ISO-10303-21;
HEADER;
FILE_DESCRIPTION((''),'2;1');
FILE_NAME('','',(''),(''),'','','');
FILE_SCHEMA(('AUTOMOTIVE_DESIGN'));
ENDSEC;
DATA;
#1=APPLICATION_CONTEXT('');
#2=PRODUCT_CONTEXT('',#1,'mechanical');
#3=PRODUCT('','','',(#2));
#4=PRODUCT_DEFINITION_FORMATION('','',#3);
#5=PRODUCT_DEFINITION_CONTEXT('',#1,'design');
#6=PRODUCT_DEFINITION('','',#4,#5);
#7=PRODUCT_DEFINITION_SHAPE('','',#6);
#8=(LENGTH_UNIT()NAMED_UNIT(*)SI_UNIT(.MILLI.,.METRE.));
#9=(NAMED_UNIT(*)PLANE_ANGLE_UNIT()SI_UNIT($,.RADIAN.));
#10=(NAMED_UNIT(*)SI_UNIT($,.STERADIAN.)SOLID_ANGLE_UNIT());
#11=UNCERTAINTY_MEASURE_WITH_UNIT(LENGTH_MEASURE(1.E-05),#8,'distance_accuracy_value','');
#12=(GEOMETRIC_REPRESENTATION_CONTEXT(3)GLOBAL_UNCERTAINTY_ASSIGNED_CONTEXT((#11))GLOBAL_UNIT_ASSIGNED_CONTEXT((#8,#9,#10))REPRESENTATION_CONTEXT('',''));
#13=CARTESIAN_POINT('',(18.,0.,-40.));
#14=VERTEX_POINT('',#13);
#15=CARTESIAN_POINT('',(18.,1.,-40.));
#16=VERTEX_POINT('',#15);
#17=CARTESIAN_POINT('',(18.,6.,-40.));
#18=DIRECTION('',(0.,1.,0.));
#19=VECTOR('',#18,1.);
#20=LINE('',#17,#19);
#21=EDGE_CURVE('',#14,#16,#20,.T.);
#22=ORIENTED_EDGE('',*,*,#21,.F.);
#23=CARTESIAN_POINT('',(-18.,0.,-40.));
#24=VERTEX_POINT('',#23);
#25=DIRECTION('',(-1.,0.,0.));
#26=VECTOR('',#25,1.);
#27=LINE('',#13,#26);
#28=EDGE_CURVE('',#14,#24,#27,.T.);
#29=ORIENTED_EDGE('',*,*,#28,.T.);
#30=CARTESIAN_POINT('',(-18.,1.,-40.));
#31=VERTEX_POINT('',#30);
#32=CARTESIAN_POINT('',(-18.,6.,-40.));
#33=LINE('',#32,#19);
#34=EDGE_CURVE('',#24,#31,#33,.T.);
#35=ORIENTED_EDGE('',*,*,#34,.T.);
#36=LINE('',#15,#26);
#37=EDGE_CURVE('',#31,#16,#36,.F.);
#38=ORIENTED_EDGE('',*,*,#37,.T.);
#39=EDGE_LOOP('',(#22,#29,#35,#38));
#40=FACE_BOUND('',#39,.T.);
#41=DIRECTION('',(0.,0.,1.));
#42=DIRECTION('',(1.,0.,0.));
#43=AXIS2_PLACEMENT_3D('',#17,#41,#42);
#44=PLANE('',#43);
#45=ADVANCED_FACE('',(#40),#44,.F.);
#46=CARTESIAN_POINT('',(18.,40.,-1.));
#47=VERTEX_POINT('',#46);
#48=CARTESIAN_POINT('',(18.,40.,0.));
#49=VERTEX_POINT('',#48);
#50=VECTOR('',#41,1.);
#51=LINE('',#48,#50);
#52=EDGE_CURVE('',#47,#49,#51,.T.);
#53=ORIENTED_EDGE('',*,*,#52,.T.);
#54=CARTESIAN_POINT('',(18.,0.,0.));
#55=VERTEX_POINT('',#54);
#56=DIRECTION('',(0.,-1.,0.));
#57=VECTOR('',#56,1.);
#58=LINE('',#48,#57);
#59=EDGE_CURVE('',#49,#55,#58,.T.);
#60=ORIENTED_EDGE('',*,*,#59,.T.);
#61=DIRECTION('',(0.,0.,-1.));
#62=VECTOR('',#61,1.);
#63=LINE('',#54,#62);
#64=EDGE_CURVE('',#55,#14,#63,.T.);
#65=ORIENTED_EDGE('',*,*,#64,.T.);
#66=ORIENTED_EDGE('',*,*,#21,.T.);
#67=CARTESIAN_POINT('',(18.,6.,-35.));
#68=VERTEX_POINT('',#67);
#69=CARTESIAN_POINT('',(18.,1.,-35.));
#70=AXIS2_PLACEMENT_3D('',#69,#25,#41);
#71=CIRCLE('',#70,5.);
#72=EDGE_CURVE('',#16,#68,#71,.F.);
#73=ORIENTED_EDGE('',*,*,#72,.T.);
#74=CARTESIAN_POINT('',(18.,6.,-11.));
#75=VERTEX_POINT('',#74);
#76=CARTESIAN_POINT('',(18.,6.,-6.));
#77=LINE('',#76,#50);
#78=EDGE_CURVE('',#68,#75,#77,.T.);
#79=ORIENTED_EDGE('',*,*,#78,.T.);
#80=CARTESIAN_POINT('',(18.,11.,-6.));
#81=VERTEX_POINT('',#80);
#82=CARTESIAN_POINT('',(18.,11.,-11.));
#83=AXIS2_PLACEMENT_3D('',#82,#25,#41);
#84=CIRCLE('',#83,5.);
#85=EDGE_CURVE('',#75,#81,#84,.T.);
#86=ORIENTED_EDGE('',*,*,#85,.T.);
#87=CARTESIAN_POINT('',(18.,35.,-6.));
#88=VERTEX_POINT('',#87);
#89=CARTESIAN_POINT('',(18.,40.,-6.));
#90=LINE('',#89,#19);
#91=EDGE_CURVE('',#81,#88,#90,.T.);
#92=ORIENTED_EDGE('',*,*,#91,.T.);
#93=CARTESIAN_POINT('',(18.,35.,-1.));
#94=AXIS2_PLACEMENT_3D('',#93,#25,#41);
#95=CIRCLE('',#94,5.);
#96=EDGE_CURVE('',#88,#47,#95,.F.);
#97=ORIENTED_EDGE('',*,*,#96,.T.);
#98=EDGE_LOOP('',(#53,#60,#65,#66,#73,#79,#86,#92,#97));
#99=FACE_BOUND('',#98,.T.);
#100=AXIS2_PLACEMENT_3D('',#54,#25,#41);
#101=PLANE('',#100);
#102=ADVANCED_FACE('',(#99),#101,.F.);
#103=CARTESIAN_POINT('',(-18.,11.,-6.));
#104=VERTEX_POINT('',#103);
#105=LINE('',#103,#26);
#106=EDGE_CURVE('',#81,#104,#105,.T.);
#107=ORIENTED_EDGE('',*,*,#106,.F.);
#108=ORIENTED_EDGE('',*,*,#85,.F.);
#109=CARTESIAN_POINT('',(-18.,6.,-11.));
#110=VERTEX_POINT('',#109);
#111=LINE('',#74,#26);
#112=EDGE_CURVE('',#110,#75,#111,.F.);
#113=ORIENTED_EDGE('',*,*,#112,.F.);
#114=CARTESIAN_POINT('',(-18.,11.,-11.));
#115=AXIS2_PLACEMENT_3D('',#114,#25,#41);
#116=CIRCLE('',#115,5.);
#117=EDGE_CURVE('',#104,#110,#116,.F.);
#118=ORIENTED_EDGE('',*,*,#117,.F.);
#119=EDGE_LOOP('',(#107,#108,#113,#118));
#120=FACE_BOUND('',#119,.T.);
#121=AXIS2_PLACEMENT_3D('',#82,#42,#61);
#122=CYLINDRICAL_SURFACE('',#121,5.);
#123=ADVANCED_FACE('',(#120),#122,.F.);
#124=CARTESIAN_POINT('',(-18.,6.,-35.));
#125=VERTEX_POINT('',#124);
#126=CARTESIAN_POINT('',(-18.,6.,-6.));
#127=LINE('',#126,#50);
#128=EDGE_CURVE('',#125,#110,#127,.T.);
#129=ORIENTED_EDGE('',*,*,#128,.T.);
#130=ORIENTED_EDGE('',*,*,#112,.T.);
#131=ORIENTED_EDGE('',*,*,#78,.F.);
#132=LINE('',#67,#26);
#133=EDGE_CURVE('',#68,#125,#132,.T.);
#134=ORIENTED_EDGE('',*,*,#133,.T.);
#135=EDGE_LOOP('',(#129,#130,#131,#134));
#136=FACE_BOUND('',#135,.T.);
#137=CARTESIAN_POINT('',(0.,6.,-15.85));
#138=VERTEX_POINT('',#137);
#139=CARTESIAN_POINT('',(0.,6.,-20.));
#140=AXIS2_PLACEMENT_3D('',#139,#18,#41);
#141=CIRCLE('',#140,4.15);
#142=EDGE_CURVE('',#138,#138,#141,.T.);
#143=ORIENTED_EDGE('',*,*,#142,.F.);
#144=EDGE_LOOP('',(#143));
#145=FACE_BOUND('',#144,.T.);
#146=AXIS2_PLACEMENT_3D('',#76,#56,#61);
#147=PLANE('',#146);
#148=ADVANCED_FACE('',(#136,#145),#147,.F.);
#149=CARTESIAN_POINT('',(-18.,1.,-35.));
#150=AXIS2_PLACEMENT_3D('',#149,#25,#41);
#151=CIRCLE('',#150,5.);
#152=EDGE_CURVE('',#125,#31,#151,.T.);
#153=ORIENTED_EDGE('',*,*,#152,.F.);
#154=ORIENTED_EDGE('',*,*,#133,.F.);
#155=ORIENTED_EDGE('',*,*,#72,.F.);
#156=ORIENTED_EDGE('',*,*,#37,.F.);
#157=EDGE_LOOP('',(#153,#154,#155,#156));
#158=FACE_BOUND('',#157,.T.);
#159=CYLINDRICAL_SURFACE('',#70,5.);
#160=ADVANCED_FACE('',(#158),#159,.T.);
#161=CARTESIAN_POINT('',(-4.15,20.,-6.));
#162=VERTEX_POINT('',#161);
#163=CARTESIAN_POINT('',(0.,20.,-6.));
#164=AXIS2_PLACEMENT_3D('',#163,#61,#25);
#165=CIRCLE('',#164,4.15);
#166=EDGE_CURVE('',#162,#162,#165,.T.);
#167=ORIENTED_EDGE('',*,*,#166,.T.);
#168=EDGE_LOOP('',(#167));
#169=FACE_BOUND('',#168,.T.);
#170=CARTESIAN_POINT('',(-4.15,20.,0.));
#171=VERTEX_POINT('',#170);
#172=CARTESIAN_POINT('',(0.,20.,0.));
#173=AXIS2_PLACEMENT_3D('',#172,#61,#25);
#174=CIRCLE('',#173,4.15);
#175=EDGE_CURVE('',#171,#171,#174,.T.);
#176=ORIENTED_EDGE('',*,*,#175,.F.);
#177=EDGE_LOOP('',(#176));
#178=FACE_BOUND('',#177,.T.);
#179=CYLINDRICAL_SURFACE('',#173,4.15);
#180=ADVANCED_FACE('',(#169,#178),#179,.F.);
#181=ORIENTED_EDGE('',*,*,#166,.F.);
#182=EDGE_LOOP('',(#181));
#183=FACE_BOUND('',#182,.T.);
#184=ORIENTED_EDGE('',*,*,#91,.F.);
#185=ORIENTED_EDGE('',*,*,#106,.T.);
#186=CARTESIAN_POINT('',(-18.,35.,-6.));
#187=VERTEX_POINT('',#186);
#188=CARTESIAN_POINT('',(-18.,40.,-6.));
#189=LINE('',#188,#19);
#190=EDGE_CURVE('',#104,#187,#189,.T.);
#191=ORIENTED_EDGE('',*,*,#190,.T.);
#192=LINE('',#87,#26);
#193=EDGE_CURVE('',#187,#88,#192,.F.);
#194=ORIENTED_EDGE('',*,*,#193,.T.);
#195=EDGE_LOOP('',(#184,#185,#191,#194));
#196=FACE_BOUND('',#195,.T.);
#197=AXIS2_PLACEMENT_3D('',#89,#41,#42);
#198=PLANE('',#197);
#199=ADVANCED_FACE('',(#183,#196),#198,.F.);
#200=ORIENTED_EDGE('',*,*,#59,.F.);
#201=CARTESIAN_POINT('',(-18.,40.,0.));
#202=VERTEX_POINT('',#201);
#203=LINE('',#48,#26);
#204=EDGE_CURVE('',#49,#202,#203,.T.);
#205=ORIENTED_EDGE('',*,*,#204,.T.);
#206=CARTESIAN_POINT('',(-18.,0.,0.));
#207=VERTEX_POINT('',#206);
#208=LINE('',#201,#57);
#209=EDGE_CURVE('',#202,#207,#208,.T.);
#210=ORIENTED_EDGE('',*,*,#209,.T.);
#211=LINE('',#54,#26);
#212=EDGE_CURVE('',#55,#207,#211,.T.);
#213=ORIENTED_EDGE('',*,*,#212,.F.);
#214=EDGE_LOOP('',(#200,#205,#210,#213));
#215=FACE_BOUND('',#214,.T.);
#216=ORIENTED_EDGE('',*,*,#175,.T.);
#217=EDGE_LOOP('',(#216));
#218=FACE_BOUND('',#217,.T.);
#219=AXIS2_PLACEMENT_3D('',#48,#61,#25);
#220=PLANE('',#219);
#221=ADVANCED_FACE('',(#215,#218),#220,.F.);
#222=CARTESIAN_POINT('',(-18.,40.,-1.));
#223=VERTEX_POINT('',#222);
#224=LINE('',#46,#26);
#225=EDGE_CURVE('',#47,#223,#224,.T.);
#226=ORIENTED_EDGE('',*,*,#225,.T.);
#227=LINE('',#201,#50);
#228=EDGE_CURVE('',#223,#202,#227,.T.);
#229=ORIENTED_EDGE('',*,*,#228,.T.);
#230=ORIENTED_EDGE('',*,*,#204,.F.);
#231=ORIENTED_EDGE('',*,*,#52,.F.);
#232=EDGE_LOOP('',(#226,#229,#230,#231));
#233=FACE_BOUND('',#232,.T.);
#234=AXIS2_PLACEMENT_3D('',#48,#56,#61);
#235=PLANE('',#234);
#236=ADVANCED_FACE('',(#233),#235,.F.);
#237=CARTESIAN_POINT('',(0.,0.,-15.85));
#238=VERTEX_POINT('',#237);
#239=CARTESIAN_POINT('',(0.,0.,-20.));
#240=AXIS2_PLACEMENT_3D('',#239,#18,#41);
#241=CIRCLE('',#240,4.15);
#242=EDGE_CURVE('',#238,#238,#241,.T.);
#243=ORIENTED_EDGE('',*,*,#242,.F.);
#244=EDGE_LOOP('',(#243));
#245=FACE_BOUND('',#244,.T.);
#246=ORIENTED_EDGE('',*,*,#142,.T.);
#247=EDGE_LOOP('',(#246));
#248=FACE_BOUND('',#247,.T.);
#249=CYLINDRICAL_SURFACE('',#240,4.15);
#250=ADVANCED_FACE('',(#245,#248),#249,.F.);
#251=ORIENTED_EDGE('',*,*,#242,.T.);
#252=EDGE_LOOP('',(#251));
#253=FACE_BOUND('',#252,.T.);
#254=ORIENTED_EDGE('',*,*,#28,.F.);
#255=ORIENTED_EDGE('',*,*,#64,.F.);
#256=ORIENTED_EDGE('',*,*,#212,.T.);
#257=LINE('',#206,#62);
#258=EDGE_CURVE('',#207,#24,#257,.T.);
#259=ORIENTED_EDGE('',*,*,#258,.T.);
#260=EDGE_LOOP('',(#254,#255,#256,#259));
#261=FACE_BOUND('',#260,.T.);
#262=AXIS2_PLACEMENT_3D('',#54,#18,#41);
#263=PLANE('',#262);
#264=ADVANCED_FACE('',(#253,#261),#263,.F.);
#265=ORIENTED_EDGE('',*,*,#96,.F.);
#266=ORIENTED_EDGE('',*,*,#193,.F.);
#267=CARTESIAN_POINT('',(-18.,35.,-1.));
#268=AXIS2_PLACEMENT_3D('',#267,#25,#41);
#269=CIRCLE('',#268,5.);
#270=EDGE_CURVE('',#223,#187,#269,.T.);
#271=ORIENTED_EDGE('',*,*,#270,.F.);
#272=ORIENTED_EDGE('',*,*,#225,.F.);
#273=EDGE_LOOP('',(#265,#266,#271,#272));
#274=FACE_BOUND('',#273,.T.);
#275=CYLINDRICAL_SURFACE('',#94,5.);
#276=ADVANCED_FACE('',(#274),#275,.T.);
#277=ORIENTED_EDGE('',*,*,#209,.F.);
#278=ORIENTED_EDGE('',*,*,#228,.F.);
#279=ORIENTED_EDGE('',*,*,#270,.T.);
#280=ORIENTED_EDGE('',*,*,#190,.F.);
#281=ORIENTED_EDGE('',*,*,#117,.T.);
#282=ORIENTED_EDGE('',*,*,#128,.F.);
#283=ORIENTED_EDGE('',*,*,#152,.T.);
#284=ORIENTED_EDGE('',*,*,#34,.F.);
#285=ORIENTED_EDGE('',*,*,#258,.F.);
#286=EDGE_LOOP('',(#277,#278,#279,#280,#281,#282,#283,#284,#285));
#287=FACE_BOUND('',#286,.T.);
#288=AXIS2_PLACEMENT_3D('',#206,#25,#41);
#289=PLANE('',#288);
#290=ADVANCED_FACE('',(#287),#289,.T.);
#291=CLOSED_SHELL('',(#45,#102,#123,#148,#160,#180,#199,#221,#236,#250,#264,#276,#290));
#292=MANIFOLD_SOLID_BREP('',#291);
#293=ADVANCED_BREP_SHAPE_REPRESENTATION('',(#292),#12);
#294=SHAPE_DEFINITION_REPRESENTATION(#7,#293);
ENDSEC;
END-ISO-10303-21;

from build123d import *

# Parameters (mm, degrees)
BOSS_EXTRUDE1_DEPTH = 18
SKETCH2_R           = 4.15
CUT_EXTRUDE1_DEPTH  = 7
SKETCH3_R           = 4.15
CUT_EXTRUDE2_DEPTH  = 7
FILLET1_R           = 5


with BuildPart() as part:
    # Sketch1 → Boss-Extrude1 (new body, symmetric)
    with BuildSketch(Plane(origin=(0, 0, 0), x_dir=(0, 0, -1), z_dir=(1, 0, 0))):
        Polygon((0, 40), (0, 0), (40, 0), (40, 6), (6, 6), (6, 40), align=None)
    extrude(amount=BOSS_EXTRUDE1_DEPTH, both=True)

    # Sketch2 → Cut-Extrude1 (cut, through all)
    with BuildSketch(Plane(origin=(0, 6, 0), x_dir=(1, 0, 0), z_dir=(0, 1, 0))):
        with Locations((0, 20)):
            Circle(SKETCH2_R)
    extrude(amount=-CUT_EXTRUDE1_DEPTH, mode=Mode.SUBTRACT)

    # Sketch3 → Cut-Extrude2 (cut, through all)
    with BuildSketch(Plane(origin=(0, 0, -6), x_dir=(-1, 0, 0), z_dir=(0, 0, -1))):
        with Locations((0, 20)):
            Circle(SKETCH3_R)
    extrude(amount=-CUT_EXTRUDE2_DEPTH, mode=Mode.SUBTRACT)

    # Fillet1
    fillet1_edges = [part.edges().sort_by_distance(p)[0] for p in [
        (0, 40, -6),
        (0, 6, -6),
        (0, 6, -40),
    ]]
    fillet(fillet1_edges, radius=FILLET1_R)


solid = part.part
